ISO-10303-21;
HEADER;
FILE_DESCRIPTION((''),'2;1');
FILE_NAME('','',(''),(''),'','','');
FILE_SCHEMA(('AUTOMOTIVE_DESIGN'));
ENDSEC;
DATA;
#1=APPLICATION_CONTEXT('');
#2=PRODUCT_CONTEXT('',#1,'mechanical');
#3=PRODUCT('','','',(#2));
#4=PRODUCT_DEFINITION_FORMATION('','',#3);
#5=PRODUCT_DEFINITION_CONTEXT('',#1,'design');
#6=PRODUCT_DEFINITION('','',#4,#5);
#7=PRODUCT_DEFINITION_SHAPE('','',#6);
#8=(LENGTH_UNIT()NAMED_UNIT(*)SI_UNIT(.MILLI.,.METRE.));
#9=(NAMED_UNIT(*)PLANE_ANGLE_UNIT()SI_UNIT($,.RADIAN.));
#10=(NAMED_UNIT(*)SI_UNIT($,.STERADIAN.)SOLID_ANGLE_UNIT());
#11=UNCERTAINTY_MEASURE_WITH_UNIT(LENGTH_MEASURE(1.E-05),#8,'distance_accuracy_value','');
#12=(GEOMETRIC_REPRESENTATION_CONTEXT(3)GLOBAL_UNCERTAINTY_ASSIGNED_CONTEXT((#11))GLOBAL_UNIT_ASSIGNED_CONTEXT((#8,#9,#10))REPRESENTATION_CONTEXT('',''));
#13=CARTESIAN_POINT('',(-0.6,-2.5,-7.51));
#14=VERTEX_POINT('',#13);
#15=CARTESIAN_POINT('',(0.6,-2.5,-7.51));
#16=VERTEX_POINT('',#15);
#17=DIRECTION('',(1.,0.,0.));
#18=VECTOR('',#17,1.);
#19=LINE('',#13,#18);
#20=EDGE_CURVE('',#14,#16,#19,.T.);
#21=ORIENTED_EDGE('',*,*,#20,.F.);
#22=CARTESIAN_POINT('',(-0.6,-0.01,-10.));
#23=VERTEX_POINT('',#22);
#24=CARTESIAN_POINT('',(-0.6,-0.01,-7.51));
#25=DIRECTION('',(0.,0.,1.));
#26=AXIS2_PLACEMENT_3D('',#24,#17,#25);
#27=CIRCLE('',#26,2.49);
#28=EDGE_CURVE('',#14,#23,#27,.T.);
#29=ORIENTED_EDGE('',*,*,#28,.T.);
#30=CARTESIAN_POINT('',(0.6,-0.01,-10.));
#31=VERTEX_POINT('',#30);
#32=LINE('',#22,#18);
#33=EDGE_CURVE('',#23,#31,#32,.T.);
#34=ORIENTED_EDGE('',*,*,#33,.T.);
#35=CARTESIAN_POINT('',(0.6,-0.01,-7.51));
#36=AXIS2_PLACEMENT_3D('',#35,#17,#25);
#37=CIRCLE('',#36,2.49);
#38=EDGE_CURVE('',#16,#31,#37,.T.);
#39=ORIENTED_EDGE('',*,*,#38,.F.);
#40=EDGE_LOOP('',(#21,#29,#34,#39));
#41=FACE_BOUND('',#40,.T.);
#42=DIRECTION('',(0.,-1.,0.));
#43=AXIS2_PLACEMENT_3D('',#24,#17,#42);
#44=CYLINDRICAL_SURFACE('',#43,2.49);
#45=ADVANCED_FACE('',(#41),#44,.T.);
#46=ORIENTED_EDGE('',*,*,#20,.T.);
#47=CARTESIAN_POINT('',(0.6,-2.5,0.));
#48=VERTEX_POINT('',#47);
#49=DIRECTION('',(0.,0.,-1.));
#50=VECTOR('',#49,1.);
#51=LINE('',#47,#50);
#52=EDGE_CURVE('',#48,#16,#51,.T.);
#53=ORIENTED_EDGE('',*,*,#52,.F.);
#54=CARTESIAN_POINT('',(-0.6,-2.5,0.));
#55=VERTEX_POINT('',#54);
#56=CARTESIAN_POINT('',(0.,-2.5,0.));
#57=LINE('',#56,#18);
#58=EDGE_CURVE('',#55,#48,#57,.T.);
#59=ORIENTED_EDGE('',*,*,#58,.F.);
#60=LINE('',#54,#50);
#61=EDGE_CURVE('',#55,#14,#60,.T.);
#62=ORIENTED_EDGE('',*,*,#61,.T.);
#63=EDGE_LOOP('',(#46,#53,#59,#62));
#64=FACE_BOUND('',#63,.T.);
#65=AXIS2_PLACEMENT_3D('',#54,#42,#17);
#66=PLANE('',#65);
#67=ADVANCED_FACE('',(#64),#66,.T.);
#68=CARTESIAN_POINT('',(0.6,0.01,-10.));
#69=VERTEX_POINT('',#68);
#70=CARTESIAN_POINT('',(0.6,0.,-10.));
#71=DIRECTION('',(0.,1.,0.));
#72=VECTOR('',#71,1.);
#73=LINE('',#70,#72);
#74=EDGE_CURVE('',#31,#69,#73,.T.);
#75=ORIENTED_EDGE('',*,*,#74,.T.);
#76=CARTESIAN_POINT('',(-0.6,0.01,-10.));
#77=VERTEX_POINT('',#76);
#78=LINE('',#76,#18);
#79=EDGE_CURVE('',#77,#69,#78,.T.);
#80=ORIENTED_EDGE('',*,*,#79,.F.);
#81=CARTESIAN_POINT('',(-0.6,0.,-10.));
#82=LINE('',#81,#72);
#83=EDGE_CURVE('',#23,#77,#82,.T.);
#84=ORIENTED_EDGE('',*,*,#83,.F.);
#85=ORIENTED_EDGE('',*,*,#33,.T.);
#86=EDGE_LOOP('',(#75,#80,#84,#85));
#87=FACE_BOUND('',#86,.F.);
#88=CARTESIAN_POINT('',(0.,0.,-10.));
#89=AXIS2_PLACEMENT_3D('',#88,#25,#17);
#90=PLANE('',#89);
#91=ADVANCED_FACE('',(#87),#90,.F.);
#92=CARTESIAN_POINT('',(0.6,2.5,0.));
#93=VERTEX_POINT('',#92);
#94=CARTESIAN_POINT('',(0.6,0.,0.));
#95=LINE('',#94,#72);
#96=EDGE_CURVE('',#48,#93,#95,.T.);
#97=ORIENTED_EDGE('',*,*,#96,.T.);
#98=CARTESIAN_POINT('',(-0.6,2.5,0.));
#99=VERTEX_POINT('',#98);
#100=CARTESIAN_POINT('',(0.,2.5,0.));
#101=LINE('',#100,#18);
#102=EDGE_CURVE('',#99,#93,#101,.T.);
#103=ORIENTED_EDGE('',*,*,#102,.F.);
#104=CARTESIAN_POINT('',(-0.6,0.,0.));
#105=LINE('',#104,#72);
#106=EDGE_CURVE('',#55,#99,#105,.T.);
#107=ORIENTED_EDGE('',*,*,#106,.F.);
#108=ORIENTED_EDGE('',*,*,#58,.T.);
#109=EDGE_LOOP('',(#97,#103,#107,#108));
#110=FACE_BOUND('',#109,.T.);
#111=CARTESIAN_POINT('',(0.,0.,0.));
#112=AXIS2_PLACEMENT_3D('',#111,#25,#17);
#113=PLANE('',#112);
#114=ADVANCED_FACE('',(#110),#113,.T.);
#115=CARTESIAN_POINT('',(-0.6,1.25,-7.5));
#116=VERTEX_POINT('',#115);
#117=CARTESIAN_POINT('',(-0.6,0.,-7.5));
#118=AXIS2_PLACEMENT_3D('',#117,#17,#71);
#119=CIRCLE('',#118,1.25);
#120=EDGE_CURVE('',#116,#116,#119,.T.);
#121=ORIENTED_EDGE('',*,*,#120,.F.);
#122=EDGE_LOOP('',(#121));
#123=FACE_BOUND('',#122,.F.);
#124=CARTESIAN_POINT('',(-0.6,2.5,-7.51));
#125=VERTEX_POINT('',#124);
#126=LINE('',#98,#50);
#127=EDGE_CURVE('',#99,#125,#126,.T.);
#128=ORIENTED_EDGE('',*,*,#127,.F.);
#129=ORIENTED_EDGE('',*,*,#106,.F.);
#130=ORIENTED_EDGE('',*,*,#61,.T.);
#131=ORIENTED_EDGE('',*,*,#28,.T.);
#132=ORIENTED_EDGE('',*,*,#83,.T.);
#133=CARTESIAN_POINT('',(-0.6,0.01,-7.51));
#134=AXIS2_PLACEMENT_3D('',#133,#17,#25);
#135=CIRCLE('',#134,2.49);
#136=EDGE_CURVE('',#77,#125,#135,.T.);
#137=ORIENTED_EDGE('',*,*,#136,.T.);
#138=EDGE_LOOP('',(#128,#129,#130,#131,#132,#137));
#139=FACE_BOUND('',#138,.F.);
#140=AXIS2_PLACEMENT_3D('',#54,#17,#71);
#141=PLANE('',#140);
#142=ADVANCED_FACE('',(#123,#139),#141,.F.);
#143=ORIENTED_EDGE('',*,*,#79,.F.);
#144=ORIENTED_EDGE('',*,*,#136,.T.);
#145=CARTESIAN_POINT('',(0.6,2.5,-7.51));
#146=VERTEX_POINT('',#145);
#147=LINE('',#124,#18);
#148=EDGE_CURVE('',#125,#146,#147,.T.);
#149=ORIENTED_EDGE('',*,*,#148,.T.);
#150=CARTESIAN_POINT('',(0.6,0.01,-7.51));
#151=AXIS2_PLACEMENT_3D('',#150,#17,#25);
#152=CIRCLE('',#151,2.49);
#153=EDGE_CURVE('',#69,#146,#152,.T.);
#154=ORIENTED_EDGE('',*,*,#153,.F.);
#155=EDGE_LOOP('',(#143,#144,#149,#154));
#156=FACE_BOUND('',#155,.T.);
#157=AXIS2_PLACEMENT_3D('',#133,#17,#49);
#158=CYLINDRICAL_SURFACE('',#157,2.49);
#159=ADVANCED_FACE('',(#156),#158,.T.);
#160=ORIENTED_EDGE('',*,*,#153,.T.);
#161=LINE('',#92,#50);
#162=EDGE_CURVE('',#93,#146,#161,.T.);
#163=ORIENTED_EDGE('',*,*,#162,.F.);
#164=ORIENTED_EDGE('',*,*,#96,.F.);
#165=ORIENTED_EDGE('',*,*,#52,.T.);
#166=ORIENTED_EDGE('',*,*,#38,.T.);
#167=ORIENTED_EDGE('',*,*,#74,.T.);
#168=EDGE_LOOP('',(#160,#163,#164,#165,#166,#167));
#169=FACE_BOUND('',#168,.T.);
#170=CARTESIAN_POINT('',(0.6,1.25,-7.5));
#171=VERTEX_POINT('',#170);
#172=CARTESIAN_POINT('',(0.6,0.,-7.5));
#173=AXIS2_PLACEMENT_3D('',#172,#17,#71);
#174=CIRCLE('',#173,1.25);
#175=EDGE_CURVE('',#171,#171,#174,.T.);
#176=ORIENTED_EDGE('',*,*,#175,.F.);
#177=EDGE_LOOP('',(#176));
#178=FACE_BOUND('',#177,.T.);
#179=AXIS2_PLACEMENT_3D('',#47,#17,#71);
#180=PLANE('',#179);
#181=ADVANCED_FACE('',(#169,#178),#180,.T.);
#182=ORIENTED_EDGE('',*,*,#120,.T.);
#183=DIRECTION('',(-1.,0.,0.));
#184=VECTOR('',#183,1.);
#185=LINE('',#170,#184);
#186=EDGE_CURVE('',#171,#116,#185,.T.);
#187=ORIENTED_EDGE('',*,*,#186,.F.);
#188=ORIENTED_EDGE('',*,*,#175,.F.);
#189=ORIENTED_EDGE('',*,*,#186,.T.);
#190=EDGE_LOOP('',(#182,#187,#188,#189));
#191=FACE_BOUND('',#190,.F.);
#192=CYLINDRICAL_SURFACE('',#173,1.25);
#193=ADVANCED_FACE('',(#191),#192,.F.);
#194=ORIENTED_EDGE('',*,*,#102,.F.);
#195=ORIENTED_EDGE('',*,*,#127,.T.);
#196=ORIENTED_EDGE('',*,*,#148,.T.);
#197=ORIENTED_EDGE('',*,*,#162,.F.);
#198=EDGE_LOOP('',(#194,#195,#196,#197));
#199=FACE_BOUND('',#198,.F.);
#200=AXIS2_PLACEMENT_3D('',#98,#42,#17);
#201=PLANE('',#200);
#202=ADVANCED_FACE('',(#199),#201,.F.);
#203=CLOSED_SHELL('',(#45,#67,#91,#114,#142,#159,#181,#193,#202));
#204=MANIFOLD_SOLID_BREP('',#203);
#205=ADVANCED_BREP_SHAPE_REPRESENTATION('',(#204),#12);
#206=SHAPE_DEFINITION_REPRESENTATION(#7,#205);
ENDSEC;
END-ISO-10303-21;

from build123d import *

# Parameters (mm, degrees)
SKETCH_W     = 1.2
SKETCH_H     = 5
PAD_DEPTH    = 10
SKETCH001_R  = 1.25
POCKET_DEPTH = 1.2
FILLET_R     = 2.49


with BuildPart() as part:
    # Sketch → Pad (new body)
    with BuildSketch(Plane.XY):
        Rectangle(SKETCH_W, SKETCH_H)
    extrude(amount=-PAD_DEPTH)

    # Sketch001 (on Face3 of Pad) → Pocket (cut)
    with BuildSketch(Plane.YZ.offset(0.6)):
        with Locations((0, -7.5)):
            Circle(SKETCH001_R)
    extrude(amount=-POCKET_DEPTH, mode=Mode.SUBTRACT)

    # Fillet
    fillet_edges = [part.edges().sort_by_distance(p)[0] for p in [
        (0, -2.5, -10),
        (0, 2.5, -10),
    ]]
    fillet(fillet_edges, radius=FILLET_R)


solid = part.part
